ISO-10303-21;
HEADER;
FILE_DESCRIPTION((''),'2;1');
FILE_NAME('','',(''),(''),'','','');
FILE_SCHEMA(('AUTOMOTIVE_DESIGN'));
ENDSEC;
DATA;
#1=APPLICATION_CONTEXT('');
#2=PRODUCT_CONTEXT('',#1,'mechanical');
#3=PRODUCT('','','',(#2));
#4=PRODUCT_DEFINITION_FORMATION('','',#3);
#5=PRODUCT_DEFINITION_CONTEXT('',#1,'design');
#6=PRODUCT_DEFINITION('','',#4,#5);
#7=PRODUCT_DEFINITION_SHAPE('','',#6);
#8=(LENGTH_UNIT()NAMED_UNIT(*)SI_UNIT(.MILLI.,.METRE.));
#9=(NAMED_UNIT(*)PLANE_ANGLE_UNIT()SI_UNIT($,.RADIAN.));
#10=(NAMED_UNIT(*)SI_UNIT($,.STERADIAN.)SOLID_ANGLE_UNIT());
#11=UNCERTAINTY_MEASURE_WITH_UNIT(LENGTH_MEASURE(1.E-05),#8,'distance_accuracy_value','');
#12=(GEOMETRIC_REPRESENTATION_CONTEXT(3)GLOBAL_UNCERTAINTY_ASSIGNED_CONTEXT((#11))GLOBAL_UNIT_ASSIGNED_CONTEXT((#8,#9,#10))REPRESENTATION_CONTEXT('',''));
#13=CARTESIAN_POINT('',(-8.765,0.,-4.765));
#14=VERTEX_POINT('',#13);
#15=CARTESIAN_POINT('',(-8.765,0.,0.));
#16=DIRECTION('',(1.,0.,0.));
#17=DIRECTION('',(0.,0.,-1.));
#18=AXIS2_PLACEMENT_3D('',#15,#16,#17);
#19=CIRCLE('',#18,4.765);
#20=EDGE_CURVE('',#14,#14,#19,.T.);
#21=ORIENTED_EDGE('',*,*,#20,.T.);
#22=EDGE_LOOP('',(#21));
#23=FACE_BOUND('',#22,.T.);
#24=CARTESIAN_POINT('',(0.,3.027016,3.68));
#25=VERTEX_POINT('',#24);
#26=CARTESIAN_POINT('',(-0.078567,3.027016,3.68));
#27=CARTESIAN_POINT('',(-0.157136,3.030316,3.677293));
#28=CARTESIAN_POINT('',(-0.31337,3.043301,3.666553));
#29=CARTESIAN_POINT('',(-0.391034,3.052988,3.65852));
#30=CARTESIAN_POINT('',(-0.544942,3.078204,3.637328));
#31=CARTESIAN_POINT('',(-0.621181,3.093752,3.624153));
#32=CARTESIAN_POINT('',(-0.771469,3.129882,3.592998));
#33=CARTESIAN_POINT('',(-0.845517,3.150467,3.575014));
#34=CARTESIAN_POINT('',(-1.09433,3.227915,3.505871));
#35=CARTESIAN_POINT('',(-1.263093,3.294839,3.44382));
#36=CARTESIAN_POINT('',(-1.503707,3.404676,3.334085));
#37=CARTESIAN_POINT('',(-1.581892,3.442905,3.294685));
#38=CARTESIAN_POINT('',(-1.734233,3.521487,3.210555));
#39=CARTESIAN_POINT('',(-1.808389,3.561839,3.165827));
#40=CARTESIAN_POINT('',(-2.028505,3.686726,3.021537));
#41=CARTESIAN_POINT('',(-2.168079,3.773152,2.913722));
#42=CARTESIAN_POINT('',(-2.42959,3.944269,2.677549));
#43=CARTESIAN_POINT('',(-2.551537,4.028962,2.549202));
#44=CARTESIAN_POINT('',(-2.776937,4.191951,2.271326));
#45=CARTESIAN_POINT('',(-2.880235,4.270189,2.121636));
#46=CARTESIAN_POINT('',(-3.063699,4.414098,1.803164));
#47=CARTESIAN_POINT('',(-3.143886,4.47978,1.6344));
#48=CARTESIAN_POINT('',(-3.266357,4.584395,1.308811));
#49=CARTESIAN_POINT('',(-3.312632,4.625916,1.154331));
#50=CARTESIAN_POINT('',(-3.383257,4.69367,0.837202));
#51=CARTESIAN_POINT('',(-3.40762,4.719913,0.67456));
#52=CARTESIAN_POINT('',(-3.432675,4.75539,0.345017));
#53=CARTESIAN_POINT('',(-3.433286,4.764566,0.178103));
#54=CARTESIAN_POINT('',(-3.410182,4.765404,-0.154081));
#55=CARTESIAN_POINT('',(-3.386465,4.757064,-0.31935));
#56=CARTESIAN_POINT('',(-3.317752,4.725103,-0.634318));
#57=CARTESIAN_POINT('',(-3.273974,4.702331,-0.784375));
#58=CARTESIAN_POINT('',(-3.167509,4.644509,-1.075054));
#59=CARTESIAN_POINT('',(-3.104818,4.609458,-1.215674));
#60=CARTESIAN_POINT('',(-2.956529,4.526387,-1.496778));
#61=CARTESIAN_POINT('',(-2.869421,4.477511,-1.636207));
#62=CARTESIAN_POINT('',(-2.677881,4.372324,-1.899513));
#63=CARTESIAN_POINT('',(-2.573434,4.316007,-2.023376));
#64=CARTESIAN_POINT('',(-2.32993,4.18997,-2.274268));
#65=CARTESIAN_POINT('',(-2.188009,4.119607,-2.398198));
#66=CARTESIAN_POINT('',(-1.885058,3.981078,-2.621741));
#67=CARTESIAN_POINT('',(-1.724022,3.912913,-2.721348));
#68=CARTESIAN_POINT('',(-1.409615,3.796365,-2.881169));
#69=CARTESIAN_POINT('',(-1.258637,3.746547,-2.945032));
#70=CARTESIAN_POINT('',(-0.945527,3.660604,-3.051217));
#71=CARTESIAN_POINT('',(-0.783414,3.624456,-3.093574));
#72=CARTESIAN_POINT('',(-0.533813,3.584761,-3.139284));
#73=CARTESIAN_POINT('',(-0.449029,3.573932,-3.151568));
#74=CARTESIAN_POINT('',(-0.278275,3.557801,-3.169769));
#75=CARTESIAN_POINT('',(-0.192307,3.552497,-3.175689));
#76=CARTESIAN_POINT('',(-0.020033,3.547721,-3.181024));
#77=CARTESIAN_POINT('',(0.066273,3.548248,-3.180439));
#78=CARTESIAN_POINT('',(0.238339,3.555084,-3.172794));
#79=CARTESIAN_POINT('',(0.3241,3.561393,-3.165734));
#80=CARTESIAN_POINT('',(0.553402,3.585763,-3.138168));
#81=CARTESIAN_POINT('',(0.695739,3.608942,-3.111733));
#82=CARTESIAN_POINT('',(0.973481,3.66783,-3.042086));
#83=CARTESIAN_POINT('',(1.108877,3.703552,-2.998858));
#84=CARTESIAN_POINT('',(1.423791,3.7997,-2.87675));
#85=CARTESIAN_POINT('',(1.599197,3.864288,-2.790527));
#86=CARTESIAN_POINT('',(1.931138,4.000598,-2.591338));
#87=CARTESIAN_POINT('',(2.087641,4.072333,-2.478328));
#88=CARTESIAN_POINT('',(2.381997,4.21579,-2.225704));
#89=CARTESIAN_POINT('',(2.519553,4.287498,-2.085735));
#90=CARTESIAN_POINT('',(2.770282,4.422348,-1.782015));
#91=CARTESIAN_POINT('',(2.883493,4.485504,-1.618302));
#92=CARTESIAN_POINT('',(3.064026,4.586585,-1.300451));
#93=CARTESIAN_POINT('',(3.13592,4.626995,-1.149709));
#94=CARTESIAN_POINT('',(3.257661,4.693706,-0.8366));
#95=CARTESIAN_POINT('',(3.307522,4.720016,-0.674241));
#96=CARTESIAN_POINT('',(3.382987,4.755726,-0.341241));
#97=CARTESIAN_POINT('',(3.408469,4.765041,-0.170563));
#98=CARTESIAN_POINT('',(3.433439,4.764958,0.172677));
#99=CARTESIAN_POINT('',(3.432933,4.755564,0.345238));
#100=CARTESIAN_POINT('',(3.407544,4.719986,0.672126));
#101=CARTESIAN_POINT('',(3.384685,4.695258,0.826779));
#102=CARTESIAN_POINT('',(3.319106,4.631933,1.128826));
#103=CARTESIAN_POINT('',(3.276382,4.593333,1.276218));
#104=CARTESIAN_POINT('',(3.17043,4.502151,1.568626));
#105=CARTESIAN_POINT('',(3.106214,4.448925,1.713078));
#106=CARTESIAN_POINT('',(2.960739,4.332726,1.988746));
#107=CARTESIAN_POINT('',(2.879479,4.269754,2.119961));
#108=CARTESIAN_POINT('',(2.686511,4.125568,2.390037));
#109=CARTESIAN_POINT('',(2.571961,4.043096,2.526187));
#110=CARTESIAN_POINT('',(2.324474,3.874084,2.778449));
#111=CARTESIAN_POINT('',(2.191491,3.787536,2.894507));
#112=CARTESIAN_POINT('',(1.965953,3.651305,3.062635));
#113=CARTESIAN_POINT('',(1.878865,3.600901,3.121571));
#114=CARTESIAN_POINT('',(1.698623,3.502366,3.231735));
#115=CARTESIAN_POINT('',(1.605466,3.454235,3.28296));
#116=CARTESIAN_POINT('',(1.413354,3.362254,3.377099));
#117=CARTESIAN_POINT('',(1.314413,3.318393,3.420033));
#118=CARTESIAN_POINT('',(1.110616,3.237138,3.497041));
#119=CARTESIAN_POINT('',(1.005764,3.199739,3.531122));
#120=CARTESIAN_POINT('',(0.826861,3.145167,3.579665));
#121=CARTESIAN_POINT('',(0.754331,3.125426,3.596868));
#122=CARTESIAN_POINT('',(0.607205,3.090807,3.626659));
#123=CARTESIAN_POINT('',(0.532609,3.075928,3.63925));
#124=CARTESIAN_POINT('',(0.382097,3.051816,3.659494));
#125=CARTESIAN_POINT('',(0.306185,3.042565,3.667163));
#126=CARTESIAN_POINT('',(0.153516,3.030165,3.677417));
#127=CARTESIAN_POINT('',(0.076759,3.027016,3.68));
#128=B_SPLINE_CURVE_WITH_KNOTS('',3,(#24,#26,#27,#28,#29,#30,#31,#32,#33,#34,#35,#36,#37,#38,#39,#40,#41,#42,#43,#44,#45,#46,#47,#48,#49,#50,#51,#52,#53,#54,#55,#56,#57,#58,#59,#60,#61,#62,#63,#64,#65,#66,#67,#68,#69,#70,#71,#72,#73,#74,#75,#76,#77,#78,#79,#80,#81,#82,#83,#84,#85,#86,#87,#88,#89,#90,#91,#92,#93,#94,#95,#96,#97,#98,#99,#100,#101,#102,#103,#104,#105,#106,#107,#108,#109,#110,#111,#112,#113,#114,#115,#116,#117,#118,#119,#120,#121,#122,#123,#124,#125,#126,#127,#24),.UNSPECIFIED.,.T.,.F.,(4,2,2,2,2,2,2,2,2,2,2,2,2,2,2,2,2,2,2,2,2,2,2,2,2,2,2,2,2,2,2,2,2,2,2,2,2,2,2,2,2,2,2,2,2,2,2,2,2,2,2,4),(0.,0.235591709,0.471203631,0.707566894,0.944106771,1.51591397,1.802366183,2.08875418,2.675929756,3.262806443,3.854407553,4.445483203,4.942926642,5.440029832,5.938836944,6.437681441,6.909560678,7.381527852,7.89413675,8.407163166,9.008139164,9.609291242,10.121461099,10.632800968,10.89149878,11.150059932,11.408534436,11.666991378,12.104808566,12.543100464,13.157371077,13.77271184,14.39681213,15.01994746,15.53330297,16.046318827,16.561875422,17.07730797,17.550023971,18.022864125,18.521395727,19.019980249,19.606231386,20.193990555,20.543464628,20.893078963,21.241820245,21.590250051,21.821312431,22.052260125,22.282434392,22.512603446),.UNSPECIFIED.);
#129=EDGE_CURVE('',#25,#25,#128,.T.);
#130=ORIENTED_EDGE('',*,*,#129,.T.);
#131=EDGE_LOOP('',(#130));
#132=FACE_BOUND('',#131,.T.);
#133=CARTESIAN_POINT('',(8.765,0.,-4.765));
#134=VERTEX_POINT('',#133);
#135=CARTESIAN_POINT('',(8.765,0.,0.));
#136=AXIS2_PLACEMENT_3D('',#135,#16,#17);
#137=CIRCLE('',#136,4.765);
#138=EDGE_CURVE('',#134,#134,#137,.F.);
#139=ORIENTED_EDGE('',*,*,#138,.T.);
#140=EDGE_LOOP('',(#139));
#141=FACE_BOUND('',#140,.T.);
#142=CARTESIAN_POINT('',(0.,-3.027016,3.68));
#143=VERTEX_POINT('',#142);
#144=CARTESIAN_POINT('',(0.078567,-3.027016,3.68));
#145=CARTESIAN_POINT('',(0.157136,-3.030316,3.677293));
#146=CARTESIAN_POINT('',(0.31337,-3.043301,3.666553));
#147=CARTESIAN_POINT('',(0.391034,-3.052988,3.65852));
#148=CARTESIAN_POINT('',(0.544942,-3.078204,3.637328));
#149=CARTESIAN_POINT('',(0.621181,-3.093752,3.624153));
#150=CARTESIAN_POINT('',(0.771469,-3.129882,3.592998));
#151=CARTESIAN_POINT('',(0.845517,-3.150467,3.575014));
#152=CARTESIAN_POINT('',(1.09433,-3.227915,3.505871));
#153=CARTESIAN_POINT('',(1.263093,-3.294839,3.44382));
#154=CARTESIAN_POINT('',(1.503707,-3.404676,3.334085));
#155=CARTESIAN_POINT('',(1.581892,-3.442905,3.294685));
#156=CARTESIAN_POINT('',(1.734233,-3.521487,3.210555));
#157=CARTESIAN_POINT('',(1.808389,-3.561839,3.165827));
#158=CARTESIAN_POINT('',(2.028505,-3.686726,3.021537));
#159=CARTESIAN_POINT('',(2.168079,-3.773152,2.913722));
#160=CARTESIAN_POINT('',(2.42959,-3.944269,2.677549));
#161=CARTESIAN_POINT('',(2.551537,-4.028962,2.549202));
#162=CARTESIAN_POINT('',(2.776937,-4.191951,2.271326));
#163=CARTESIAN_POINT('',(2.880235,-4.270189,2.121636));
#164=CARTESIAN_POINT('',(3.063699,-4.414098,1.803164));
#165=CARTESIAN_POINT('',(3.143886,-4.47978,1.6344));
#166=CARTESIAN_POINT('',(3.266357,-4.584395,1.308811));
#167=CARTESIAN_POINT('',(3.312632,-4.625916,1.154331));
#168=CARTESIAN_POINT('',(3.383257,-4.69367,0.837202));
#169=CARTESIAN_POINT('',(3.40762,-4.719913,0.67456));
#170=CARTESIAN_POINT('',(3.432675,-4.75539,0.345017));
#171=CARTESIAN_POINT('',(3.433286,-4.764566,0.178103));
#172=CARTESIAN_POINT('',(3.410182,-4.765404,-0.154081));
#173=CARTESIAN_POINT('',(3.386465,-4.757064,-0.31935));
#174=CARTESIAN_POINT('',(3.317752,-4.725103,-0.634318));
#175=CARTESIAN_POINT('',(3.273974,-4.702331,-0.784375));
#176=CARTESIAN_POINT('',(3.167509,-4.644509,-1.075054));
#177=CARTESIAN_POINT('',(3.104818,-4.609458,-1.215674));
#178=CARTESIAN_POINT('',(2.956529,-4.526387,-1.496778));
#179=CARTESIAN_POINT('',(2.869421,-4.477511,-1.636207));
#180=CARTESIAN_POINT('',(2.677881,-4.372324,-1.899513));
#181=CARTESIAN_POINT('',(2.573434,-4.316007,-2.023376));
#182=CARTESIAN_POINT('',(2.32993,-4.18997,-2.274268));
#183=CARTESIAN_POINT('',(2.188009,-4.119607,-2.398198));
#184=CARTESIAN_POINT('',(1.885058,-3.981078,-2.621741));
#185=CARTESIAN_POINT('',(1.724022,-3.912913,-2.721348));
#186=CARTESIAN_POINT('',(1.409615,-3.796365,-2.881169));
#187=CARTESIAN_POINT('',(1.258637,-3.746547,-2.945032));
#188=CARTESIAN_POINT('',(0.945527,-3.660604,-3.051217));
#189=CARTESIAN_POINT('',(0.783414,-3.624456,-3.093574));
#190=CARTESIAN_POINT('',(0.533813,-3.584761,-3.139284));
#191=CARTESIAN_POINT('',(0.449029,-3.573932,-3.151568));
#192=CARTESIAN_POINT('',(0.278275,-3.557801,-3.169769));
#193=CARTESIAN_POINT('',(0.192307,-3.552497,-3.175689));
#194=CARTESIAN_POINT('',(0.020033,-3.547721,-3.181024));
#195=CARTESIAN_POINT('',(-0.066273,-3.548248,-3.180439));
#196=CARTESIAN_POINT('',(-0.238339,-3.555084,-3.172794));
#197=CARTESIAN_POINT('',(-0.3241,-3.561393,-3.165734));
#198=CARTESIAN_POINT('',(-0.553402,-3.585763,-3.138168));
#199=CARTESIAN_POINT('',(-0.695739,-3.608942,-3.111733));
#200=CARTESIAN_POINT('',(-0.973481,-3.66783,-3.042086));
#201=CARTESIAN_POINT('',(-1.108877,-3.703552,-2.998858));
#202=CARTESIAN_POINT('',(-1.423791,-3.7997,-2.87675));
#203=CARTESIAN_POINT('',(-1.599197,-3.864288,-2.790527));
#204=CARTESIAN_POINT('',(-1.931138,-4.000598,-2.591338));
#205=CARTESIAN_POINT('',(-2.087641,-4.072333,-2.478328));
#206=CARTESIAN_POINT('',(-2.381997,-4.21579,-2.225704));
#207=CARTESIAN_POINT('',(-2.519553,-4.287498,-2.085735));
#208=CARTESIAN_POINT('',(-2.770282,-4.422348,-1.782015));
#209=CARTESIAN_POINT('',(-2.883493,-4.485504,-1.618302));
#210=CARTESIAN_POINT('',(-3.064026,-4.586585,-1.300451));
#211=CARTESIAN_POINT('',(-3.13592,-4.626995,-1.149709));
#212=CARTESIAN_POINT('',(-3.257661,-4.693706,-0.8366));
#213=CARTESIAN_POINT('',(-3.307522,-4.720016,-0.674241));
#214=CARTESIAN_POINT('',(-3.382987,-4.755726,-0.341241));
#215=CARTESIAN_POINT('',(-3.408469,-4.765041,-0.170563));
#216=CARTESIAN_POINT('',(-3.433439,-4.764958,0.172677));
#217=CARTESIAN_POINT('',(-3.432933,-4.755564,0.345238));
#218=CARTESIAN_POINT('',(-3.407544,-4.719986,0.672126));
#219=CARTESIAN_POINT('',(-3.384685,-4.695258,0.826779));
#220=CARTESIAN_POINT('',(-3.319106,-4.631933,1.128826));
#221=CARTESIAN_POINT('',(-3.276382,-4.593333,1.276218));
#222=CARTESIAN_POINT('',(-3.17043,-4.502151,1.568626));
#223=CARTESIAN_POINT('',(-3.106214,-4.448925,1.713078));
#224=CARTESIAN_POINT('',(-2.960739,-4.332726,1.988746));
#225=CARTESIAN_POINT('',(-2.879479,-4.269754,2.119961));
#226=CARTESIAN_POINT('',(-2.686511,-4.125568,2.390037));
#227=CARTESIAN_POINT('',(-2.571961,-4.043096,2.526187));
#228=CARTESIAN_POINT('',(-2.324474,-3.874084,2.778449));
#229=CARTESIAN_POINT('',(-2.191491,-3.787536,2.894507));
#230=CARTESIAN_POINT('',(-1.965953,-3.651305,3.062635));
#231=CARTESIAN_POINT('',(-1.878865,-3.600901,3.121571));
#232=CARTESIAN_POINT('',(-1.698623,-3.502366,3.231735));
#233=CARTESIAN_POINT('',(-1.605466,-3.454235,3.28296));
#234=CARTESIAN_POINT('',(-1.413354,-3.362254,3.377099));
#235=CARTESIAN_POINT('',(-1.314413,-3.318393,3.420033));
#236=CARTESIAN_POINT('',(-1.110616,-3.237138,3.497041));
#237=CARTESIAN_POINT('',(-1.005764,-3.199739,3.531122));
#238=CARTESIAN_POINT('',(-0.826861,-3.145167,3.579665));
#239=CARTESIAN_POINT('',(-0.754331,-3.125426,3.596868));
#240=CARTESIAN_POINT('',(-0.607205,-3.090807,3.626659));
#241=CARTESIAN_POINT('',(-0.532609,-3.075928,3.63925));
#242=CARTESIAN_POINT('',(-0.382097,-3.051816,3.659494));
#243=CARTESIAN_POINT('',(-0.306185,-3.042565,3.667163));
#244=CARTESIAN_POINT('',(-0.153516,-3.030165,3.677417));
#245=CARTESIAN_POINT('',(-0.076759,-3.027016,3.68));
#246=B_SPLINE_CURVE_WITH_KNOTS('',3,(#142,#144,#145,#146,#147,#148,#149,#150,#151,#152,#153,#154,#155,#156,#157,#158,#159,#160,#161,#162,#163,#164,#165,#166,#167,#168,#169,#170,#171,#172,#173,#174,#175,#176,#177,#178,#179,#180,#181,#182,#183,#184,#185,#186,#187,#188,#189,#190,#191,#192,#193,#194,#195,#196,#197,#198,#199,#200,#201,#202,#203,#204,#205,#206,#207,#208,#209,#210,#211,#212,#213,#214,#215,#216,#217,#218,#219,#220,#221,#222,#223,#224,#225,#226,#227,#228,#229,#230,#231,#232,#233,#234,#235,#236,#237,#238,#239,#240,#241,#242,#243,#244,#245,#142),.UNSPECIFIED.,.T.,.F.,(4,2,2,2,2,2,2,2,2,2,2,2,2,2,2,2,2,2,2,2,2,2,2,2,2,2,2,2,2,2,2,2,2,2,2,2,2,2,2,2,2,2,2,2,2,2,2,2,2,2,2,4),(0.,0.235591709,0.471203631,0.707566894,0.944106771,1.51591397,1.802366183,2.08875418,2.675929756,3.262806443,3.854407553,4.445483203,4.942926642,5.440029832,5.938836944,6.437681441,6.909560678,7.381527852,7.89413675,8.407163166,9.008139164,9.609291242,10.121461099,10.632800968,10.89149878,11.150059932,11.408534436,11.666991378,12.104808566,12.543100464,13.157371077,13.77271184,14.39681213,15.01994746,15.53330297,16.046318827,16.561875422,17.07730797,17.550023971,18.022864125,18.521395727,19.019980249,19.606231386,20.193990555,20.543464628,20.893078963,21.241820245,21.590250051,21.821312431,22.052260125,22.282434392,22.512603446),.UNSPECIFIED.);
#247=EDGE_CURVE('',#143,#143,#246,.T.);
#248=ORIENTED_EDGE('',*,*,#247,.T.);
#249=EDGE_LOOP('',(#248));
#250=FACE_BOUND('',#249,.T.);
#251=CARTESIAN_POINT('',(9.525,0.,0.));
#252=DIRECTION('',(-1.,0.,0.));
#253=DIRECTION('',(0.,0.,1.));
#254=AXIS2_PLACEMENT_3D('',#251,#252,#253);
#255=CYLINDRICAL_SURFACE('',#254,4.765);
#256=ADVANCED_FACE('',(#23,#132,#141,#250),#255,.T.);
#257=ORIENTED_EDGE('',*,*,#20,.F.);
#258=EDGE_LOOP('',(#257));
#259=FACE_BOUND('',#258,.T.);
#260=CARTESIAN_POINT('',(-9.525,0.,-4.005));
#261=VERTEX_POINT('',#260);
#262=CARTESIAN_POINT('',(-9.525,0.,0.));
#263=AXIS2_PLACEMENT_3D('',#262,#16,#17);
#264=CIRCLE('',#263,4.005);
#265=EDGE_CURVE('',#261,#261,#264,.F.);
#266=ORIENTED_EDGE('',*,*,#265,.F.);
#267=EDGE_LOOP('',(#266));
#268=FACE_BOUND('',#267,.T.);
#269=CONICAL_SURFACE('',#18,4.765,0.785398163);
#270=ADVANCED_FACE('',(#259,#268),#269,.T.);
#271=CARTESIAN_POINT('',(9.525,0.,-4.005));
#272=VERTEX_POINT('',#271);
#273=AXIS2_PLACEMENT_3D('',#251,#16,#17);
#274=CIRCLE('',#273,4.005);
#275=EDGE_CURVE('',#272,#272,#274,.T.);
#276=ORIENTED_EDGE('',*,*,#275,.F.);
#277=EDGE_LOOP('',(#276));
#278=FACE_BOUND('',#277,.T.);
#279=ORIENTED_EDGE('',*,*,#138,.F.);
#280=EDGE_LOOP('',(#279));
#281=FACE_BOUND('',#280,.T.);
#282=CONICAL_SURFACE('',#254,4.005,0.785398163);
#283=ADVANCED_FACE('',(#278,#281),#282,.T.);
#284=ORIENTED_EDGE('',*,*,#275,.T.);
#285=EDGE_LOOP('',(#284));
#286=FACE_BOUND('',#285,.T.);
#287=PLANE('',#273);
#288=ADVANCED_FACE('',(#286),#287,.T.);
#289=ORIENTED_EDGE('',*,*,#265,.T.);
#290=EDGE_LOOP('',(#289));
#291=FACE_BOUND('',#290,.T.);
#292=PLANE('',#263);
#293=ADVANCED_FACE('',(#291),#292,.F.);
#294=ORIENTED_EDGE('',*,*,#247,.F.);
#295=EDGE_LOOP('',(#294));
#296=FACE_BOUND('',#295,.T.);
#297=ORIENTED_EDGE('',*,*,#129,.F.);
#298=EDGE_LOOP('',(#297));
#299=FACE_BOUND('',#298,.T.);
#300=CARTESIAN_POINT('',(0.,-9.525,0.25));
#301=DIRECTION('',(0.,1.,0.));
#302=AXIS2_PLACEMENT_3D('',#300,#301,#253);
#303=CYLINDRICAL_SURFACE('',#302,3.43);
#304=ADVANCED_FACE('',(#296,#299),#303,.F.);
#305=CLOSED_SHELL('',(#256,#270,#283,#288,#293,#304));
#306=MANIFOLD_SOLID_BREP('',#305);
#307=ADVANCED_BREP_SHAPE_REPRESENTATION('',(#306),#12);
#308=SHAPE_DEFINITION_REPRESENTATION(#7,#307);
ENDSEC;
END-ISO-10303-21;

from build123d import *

# Parameters (mm, degrees)
SKETCH1_R           = 4.765
BOSS_EXTRUDE1_DEPTH = 9.525
CHAMFER1_SIZE       = 0.76
SKETCH2_R           = 3.43
CUT_EXTRUDE1_DEPTH  = 9.525


with BuildPart() as part:
    # Sketch1 → Boss-Extrude1 (new body, symmetric)
    with BuildSketch(Plane(origin=(0, 0, 0), x_dir=(0, 0, -1), z_dir=(1, 0, 0))):
        Circle(SKETCH1_R)
    extrude(amount=BOSS_EXTRUDE1_DEPTH, both=True)

    # Chamfer1
    chamfer1_edges = [part.edges().sort_by_distance(p)[0] for p in [
        (-9.525, 0, 4.765),
        (9.525, 0, 4.765),
    ]]
    chamfer(chamfer1_edges, length=CHAMFER1_SIZE)

    # Sketch2 → Cut-Extrude1 (cut, symmetric)
    with BuildSketch(Plane(origin=(0, 0, 0), x_dir=(1, 0, 0), z_dir=(0, 1, 0))):
        with Locations((0, -0.25)):
            Circle(SKETCH2_R)
    extrude(amount=CUT_EXTRUDE1_DEPTH, both=True, mode=Mode.SUBTRACT)


solid = part.part
